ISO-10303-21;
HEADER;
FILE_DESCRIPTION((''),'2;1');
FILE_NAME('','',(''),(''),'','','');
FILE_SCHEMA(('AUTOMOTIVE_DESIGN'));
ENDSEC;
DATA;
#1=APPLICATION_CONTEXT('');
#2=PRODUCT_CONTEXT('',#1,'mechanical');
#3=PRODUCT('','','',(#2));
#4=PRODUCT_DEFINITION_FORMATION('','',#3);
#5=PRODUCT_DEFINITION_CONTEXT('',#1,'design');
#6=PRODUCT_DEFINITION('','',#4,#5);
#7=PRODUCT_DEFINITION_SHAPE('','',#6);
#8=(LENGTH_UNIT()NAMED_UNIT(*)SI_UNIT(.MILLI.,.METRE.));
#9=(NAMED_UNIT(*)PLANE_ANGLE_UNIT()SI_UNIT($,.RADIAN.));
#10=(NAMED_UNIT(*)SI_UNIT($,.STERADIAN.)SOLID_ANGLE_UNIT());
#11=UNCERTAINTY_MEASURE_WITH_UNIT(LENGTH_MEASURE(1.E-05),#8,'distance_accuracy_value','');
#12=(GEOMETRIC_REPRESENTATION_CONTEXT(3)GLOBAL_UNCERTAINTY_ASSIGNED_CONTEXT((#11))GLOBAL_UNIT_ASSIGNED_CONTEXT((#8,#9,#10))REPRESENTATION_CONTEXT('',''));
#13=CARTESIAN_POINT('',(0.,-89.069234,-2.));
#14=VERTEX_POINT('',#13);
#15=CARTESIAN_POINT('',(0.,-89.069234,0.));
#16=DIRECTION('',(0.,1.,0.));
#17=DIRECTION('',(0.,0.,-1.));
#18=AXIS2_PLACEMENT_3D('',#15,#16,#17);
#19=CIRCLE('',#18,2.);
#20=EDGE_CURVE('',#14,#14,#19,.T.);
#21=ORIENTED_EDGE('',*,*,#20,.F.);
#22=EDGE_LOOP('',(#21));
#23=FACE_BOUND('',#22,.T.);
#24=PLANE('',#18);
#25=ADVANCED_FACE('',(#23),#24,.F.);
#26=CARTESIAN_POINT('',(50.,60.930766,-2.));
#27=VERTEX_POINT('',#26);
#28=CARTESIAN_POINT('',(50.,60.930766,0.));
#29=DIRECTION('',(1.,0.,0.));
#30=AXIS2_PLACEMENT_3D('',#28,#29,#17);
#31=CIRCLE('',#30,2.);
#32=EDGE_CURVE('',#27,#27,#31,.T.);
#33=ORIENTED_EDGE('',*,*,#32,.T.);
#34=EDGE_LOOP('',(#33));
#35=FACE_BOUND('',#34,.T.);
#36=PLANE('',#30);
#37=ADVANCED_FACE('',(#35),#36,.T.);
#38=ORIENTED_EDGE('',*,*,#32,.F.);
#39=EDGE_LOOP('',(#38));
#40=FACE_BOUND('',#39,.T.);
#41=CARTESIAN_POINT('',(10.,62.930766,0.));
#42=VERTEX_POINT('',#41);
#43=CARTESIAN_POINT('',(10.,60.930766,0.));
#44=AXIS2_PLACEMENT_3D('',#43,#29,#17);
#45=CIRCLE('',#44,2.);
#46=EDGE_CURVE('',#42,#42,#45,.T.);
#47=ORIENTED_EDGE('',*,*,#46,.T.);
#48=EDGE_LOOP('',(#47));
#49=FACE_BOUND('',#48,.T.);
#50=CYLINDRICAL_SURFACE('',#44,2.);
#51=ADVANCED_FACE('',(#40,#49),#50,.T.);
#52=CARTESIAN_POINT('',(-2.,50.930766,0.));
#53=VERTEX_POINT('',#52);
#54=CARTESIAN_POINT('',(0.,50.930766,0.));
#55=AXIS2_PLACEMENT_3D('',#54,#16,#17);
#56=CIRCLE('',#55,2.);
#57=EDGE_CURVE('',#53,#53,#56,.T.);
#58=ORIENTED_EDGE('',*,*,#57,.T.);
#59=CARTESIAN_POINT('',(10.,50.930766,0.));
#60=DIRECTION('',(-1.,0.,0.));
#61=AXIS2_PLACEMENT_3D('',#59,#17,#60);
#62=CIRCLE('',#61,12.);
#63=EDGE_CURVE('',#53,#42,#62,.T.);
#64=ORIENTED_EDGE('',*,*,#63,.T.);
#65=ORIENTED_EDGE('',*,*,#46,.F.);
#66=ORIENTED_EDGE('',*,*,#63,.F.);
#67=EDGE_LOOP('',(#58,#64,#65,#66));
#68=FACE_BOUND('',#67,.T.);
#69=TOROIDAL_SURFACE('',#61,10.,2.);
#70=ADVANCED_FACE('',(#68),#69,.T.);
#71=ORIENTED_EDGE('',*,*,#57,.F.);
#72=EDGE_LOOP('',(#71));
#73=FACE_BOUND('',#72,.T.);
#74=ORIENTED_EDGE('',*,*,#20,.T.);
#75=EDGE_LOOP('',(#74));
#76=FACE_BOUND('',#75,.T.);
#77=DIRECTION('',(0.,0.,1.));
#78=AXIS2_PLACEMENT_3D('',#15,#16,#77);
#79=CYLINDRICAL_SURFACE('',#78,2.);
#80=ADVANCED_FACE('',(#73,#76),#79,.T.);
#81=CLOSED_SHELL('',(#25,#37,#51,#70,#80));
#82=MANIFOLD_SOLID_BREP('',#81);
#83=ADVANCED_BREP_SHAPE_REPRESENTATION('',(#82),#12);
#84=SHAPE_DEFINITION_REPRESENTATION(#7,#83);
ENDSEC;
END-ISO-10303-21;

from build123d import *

# Parameters (mm, degrees)
SKETCH2_R = 2


with BuildPart() as part:
    # Sweep1: sweep along a path in Sketch1
    with BuildLine(Plane.XY) as sweep1_path:
        Line((0, -89.069234239), (0, 50.930765761))
        ThreePointArc((0, 50.930765761), (2.928932188, 58.001833573), (10, 60.930765761))
        Line((10, 60.930765761), (50, 60.930765761))
    # Sketch2 → Sweep1 (sweep)
    with BuildSketch(Plane(origin=(50, 0, 0), x_dir=(0, 0, -1), z_dir=(1, 0, 0))):
        with Locations((0, 60.930765761)):
            Circle(SKETCH2_R)
    sweep(path=sweep1_path.line)


solid = part.part
